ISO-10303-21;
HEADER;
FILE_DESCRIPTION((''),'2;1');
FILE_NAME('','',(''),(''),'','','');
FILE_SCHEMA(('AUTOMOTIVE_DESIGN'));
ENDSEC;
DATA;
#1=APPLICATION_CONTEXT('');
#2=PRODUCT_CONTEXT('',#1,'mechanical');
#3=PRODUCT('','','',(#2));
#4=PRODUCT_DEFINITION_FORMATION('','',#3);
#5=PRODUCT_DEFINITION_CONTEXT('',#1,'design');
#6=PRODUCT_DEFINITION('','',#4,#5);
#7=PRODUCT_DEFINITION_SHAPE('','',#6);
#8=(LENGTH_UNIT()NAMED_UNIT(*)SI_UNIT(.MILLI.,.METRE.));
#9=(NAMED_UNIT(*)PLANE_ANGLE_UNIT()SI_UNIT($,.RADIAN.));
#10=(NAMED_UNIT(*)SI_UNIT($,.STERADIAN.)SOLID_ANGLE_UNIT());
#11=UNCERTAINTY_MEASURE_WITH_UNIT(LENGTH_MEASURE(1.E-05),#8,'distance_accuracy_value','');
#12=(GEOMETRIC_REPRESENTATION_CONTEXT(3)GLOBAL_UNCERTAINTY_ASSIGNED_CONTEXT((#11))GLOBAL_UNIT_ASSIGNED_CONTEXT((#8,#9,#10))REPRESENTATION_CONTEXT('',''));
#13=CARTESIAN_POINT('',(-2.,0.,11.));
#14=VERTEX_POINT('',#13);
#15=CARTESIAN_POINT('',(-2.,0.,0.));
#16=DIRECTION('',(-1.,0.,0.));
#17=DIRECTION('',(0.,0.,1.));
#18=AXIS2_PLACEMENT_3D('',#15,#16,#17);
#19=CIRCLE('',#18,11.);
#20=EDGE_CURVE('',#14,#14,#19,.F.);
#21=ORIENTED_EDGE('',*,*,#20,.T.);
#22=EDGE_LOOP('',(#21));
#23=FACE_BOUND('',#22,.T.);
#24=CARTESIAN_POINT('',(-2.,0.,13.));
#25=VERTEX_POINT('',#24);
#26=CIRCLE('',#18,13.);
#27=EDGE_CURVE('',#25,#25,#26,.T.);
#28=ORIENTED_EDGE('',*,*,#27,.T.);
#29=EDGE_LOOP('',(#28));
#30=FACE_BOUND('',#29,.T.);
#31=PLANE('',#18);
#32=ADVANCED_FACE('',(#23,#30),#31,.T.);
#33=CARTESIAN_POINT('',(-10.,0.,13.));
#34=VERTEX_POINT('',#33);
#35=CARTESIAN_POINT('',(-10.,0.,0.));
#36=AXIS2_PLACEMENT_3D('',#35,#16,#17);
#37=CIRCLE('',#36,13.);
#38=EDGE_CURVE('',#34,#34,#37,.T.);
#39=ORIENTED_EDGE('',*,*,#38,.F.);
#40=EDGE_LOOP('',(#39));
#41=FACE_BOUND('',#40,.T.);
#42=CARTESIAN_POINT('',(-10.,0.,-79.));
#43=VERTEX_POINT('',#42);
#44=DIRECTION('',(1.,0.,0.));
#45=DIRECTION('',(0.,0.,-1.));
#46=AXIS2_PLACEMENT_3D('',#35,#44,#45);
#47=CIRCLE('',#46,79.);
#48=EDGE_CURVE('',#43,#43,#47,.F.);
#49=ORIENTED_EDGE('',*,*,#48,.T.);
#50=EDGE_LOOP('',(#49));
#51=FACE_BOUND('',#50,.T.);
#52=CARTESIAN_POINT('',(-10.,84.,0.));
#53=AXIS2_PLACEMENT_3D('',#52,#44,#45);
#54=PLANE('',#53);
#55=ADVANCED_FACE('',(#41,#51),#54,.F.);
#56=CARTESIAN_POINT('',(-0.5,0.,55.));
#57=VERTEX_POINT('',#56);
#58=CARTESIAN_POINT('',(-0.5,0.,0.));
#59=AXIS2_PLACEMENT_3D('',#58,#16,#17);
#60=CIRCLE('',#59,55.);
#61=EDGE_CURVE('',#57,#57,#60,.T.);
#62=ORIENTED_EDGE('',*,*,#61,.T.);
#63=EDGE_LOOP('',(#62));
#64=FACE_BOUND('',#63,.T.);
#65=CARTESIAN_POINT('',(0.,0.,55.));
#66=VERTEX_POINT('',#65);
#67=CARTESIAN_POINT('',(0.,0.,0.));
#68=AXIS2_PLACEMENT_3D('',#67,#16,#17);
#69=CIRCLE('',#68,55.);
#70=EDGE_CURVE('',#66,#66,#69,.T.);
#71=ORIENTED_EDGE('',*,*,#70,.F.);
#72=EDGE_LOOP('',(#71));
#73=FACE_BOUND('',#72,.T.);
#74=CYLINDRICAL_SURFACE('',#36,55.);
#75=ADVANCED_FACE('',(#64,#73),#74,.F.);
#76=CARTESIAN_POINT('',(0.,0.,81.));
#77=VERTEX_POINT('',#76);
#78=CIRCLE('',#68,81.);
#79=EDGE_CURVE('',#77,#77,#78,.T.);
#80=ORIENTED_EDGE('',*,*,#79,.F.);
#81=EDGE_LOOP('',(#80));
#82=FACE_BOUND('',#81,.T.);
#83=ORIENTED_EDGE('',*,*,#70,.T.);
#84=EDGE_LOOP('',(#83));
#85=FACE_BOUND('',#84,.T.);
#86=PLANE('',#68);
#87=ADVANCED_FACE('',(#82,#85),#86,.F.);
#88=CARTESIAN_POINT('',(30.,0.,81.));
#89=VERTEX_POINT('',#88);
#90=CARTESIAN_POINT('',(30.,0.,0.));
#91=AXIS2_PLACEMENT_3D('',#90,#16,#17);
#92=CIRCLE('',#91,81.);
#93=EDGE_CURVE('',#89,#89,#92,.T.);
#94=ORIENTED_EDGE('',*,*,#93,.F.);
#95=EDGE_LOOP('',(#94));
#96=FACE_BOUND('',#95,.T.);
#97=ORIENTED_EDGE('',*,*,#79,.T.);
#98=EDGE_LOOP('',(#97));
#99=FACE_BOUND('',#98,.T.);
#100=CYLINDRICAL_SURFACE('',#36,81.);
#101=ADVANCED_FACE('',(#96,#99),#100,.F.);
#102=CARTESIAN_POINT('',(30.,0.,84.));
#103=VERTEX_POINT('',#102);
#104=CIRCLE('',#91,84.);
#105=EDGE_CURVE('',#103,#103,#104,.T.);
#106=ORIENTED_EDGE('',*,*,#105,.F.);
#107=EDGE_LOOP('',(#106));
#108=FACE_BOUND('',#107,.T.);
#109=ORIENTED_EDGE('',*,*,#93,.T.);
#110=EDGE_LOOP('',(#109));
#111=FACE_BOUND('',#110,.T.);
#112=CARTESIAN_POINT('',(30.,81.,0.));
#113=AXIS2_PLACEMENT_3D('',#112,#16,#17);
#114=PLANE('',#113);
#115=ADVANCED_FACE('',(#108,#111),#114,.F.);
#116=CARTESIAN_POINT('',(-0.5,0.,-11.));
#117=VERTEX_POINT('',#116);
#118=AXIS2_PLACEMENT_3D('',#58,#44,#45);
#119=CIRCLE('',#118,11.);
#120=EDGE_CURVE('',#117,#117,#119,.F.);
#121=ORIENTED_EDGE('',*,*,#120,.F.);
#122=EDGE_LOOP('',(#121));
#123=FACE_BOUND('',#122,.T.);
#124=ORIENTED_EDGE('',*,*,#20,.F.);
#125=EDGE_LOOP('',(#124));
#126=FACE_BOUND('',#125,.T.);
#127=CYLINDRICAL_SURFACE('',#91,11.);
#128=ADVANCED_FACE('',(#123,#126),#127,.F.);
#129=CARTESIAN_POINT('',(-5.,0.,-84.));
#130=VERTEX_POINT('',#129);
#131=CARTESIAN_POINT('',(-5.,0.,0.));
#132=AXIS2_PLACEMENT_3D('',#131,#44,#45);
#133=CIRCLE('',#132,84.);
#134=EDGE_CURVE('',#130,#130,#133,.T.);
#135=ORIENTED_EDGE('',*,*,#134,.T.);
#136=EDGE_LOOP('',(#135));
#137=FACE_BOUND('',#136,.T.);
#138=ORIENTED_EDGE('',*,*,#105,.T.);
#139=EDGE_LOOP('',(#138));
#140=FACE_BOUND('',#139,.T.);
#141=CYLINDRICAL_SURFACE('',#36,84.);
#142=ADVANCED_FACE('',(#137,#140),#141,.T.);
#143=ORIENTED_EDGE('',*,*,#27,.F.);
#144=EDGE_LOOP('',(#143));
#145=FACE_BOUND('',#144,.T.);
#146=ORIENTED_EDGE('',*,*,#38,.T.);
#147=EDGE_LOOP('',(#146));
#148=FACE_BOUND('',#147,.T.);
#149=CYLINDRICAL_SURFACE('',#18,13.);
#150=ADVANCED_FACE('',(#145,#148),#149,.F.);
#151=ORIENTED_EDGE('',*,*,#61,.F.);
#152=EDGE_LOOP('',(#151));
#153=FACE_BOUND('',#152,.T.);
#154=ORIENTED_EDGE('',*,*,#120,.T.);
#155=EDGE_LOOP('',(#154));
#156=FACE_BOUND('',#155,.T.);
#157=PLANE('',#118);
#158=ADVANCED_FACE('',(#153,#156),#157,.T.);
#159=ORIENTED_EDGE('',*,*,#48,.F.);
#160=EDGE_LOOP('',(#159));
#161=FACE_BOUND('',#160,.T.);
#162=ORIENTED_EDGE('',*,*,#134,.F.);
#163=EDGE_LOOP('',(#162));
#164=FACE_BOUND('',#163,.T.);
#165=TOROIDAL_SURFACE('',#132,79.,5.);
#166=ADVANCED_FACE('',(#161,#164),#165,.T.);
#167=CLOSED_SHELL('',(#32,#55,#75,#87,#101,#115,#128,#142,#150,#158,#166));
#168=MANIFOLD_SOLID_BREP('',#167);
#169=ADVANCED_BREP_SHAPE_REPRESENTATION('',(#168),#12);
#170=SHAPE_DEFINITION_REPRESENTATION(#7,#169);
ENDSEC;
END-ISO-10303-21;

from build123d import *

# Parameters (mm, degrees)
FILLET1_R          = 5
SKETCH3_R          = 11
CUT_EXTRUDE2_DEPTH = 41
SKETCH6_W          = 0.5
SKETCH6_H          = 55
SKETCH9_R          = 13
CUT_EXTRUDE3_DEPTH = 8


with BuildPart() as part:
    # Sketch1 → Revolve1 (revolve)
    with BuildSketch(Plane.XY):
        Polygon((0, 0), (0, 81), (30, 81), (30, 84), (-10, 84), (-10, 0), align=None)
    revolve(axis=Axis((-10, 0, 0), (1, 0, 0)))

    # Fillet1
    fillet1_edges = [part.edges().sort_by_distance(p)[0] for p in [
        (-10, -84, 0),
    ]]
    fillet(fillet1_edges, radius=FILLET1_R)

    # Sketch3 → Cut-Extrude2 (cut, through all)
    with BuildSketch(Plane.ZY.offset(10)):
        Circle(SKETCH3_R)
    extrude(amount=-CUT_EXTRUDE2_DEPTH, mode=Mode.SUBTRACT)

    # Sketch6 → Cut-Revolve2 (revolve, cut)
    with BuildSketch(Plane.XY):
        with Locations((-0.25, 27.5)):
            Rectangle(SKETCH6_W, SKETCH6_H)
    revolve(axis=Axis((-10, 0, 0), (1, 0, 0)), mode=Mode.SUBTRACT)

    # Sketch9 → Cut-Extrude3 (cut)
    with BuildSketch(Plane.ZY.offset(10)):
        Circle(SKETCH9_R)
    extrude(amount=-CUT_EXTRUDE3_DEPTH, mode=Mode.SUBTRACT)


solid = part.part
